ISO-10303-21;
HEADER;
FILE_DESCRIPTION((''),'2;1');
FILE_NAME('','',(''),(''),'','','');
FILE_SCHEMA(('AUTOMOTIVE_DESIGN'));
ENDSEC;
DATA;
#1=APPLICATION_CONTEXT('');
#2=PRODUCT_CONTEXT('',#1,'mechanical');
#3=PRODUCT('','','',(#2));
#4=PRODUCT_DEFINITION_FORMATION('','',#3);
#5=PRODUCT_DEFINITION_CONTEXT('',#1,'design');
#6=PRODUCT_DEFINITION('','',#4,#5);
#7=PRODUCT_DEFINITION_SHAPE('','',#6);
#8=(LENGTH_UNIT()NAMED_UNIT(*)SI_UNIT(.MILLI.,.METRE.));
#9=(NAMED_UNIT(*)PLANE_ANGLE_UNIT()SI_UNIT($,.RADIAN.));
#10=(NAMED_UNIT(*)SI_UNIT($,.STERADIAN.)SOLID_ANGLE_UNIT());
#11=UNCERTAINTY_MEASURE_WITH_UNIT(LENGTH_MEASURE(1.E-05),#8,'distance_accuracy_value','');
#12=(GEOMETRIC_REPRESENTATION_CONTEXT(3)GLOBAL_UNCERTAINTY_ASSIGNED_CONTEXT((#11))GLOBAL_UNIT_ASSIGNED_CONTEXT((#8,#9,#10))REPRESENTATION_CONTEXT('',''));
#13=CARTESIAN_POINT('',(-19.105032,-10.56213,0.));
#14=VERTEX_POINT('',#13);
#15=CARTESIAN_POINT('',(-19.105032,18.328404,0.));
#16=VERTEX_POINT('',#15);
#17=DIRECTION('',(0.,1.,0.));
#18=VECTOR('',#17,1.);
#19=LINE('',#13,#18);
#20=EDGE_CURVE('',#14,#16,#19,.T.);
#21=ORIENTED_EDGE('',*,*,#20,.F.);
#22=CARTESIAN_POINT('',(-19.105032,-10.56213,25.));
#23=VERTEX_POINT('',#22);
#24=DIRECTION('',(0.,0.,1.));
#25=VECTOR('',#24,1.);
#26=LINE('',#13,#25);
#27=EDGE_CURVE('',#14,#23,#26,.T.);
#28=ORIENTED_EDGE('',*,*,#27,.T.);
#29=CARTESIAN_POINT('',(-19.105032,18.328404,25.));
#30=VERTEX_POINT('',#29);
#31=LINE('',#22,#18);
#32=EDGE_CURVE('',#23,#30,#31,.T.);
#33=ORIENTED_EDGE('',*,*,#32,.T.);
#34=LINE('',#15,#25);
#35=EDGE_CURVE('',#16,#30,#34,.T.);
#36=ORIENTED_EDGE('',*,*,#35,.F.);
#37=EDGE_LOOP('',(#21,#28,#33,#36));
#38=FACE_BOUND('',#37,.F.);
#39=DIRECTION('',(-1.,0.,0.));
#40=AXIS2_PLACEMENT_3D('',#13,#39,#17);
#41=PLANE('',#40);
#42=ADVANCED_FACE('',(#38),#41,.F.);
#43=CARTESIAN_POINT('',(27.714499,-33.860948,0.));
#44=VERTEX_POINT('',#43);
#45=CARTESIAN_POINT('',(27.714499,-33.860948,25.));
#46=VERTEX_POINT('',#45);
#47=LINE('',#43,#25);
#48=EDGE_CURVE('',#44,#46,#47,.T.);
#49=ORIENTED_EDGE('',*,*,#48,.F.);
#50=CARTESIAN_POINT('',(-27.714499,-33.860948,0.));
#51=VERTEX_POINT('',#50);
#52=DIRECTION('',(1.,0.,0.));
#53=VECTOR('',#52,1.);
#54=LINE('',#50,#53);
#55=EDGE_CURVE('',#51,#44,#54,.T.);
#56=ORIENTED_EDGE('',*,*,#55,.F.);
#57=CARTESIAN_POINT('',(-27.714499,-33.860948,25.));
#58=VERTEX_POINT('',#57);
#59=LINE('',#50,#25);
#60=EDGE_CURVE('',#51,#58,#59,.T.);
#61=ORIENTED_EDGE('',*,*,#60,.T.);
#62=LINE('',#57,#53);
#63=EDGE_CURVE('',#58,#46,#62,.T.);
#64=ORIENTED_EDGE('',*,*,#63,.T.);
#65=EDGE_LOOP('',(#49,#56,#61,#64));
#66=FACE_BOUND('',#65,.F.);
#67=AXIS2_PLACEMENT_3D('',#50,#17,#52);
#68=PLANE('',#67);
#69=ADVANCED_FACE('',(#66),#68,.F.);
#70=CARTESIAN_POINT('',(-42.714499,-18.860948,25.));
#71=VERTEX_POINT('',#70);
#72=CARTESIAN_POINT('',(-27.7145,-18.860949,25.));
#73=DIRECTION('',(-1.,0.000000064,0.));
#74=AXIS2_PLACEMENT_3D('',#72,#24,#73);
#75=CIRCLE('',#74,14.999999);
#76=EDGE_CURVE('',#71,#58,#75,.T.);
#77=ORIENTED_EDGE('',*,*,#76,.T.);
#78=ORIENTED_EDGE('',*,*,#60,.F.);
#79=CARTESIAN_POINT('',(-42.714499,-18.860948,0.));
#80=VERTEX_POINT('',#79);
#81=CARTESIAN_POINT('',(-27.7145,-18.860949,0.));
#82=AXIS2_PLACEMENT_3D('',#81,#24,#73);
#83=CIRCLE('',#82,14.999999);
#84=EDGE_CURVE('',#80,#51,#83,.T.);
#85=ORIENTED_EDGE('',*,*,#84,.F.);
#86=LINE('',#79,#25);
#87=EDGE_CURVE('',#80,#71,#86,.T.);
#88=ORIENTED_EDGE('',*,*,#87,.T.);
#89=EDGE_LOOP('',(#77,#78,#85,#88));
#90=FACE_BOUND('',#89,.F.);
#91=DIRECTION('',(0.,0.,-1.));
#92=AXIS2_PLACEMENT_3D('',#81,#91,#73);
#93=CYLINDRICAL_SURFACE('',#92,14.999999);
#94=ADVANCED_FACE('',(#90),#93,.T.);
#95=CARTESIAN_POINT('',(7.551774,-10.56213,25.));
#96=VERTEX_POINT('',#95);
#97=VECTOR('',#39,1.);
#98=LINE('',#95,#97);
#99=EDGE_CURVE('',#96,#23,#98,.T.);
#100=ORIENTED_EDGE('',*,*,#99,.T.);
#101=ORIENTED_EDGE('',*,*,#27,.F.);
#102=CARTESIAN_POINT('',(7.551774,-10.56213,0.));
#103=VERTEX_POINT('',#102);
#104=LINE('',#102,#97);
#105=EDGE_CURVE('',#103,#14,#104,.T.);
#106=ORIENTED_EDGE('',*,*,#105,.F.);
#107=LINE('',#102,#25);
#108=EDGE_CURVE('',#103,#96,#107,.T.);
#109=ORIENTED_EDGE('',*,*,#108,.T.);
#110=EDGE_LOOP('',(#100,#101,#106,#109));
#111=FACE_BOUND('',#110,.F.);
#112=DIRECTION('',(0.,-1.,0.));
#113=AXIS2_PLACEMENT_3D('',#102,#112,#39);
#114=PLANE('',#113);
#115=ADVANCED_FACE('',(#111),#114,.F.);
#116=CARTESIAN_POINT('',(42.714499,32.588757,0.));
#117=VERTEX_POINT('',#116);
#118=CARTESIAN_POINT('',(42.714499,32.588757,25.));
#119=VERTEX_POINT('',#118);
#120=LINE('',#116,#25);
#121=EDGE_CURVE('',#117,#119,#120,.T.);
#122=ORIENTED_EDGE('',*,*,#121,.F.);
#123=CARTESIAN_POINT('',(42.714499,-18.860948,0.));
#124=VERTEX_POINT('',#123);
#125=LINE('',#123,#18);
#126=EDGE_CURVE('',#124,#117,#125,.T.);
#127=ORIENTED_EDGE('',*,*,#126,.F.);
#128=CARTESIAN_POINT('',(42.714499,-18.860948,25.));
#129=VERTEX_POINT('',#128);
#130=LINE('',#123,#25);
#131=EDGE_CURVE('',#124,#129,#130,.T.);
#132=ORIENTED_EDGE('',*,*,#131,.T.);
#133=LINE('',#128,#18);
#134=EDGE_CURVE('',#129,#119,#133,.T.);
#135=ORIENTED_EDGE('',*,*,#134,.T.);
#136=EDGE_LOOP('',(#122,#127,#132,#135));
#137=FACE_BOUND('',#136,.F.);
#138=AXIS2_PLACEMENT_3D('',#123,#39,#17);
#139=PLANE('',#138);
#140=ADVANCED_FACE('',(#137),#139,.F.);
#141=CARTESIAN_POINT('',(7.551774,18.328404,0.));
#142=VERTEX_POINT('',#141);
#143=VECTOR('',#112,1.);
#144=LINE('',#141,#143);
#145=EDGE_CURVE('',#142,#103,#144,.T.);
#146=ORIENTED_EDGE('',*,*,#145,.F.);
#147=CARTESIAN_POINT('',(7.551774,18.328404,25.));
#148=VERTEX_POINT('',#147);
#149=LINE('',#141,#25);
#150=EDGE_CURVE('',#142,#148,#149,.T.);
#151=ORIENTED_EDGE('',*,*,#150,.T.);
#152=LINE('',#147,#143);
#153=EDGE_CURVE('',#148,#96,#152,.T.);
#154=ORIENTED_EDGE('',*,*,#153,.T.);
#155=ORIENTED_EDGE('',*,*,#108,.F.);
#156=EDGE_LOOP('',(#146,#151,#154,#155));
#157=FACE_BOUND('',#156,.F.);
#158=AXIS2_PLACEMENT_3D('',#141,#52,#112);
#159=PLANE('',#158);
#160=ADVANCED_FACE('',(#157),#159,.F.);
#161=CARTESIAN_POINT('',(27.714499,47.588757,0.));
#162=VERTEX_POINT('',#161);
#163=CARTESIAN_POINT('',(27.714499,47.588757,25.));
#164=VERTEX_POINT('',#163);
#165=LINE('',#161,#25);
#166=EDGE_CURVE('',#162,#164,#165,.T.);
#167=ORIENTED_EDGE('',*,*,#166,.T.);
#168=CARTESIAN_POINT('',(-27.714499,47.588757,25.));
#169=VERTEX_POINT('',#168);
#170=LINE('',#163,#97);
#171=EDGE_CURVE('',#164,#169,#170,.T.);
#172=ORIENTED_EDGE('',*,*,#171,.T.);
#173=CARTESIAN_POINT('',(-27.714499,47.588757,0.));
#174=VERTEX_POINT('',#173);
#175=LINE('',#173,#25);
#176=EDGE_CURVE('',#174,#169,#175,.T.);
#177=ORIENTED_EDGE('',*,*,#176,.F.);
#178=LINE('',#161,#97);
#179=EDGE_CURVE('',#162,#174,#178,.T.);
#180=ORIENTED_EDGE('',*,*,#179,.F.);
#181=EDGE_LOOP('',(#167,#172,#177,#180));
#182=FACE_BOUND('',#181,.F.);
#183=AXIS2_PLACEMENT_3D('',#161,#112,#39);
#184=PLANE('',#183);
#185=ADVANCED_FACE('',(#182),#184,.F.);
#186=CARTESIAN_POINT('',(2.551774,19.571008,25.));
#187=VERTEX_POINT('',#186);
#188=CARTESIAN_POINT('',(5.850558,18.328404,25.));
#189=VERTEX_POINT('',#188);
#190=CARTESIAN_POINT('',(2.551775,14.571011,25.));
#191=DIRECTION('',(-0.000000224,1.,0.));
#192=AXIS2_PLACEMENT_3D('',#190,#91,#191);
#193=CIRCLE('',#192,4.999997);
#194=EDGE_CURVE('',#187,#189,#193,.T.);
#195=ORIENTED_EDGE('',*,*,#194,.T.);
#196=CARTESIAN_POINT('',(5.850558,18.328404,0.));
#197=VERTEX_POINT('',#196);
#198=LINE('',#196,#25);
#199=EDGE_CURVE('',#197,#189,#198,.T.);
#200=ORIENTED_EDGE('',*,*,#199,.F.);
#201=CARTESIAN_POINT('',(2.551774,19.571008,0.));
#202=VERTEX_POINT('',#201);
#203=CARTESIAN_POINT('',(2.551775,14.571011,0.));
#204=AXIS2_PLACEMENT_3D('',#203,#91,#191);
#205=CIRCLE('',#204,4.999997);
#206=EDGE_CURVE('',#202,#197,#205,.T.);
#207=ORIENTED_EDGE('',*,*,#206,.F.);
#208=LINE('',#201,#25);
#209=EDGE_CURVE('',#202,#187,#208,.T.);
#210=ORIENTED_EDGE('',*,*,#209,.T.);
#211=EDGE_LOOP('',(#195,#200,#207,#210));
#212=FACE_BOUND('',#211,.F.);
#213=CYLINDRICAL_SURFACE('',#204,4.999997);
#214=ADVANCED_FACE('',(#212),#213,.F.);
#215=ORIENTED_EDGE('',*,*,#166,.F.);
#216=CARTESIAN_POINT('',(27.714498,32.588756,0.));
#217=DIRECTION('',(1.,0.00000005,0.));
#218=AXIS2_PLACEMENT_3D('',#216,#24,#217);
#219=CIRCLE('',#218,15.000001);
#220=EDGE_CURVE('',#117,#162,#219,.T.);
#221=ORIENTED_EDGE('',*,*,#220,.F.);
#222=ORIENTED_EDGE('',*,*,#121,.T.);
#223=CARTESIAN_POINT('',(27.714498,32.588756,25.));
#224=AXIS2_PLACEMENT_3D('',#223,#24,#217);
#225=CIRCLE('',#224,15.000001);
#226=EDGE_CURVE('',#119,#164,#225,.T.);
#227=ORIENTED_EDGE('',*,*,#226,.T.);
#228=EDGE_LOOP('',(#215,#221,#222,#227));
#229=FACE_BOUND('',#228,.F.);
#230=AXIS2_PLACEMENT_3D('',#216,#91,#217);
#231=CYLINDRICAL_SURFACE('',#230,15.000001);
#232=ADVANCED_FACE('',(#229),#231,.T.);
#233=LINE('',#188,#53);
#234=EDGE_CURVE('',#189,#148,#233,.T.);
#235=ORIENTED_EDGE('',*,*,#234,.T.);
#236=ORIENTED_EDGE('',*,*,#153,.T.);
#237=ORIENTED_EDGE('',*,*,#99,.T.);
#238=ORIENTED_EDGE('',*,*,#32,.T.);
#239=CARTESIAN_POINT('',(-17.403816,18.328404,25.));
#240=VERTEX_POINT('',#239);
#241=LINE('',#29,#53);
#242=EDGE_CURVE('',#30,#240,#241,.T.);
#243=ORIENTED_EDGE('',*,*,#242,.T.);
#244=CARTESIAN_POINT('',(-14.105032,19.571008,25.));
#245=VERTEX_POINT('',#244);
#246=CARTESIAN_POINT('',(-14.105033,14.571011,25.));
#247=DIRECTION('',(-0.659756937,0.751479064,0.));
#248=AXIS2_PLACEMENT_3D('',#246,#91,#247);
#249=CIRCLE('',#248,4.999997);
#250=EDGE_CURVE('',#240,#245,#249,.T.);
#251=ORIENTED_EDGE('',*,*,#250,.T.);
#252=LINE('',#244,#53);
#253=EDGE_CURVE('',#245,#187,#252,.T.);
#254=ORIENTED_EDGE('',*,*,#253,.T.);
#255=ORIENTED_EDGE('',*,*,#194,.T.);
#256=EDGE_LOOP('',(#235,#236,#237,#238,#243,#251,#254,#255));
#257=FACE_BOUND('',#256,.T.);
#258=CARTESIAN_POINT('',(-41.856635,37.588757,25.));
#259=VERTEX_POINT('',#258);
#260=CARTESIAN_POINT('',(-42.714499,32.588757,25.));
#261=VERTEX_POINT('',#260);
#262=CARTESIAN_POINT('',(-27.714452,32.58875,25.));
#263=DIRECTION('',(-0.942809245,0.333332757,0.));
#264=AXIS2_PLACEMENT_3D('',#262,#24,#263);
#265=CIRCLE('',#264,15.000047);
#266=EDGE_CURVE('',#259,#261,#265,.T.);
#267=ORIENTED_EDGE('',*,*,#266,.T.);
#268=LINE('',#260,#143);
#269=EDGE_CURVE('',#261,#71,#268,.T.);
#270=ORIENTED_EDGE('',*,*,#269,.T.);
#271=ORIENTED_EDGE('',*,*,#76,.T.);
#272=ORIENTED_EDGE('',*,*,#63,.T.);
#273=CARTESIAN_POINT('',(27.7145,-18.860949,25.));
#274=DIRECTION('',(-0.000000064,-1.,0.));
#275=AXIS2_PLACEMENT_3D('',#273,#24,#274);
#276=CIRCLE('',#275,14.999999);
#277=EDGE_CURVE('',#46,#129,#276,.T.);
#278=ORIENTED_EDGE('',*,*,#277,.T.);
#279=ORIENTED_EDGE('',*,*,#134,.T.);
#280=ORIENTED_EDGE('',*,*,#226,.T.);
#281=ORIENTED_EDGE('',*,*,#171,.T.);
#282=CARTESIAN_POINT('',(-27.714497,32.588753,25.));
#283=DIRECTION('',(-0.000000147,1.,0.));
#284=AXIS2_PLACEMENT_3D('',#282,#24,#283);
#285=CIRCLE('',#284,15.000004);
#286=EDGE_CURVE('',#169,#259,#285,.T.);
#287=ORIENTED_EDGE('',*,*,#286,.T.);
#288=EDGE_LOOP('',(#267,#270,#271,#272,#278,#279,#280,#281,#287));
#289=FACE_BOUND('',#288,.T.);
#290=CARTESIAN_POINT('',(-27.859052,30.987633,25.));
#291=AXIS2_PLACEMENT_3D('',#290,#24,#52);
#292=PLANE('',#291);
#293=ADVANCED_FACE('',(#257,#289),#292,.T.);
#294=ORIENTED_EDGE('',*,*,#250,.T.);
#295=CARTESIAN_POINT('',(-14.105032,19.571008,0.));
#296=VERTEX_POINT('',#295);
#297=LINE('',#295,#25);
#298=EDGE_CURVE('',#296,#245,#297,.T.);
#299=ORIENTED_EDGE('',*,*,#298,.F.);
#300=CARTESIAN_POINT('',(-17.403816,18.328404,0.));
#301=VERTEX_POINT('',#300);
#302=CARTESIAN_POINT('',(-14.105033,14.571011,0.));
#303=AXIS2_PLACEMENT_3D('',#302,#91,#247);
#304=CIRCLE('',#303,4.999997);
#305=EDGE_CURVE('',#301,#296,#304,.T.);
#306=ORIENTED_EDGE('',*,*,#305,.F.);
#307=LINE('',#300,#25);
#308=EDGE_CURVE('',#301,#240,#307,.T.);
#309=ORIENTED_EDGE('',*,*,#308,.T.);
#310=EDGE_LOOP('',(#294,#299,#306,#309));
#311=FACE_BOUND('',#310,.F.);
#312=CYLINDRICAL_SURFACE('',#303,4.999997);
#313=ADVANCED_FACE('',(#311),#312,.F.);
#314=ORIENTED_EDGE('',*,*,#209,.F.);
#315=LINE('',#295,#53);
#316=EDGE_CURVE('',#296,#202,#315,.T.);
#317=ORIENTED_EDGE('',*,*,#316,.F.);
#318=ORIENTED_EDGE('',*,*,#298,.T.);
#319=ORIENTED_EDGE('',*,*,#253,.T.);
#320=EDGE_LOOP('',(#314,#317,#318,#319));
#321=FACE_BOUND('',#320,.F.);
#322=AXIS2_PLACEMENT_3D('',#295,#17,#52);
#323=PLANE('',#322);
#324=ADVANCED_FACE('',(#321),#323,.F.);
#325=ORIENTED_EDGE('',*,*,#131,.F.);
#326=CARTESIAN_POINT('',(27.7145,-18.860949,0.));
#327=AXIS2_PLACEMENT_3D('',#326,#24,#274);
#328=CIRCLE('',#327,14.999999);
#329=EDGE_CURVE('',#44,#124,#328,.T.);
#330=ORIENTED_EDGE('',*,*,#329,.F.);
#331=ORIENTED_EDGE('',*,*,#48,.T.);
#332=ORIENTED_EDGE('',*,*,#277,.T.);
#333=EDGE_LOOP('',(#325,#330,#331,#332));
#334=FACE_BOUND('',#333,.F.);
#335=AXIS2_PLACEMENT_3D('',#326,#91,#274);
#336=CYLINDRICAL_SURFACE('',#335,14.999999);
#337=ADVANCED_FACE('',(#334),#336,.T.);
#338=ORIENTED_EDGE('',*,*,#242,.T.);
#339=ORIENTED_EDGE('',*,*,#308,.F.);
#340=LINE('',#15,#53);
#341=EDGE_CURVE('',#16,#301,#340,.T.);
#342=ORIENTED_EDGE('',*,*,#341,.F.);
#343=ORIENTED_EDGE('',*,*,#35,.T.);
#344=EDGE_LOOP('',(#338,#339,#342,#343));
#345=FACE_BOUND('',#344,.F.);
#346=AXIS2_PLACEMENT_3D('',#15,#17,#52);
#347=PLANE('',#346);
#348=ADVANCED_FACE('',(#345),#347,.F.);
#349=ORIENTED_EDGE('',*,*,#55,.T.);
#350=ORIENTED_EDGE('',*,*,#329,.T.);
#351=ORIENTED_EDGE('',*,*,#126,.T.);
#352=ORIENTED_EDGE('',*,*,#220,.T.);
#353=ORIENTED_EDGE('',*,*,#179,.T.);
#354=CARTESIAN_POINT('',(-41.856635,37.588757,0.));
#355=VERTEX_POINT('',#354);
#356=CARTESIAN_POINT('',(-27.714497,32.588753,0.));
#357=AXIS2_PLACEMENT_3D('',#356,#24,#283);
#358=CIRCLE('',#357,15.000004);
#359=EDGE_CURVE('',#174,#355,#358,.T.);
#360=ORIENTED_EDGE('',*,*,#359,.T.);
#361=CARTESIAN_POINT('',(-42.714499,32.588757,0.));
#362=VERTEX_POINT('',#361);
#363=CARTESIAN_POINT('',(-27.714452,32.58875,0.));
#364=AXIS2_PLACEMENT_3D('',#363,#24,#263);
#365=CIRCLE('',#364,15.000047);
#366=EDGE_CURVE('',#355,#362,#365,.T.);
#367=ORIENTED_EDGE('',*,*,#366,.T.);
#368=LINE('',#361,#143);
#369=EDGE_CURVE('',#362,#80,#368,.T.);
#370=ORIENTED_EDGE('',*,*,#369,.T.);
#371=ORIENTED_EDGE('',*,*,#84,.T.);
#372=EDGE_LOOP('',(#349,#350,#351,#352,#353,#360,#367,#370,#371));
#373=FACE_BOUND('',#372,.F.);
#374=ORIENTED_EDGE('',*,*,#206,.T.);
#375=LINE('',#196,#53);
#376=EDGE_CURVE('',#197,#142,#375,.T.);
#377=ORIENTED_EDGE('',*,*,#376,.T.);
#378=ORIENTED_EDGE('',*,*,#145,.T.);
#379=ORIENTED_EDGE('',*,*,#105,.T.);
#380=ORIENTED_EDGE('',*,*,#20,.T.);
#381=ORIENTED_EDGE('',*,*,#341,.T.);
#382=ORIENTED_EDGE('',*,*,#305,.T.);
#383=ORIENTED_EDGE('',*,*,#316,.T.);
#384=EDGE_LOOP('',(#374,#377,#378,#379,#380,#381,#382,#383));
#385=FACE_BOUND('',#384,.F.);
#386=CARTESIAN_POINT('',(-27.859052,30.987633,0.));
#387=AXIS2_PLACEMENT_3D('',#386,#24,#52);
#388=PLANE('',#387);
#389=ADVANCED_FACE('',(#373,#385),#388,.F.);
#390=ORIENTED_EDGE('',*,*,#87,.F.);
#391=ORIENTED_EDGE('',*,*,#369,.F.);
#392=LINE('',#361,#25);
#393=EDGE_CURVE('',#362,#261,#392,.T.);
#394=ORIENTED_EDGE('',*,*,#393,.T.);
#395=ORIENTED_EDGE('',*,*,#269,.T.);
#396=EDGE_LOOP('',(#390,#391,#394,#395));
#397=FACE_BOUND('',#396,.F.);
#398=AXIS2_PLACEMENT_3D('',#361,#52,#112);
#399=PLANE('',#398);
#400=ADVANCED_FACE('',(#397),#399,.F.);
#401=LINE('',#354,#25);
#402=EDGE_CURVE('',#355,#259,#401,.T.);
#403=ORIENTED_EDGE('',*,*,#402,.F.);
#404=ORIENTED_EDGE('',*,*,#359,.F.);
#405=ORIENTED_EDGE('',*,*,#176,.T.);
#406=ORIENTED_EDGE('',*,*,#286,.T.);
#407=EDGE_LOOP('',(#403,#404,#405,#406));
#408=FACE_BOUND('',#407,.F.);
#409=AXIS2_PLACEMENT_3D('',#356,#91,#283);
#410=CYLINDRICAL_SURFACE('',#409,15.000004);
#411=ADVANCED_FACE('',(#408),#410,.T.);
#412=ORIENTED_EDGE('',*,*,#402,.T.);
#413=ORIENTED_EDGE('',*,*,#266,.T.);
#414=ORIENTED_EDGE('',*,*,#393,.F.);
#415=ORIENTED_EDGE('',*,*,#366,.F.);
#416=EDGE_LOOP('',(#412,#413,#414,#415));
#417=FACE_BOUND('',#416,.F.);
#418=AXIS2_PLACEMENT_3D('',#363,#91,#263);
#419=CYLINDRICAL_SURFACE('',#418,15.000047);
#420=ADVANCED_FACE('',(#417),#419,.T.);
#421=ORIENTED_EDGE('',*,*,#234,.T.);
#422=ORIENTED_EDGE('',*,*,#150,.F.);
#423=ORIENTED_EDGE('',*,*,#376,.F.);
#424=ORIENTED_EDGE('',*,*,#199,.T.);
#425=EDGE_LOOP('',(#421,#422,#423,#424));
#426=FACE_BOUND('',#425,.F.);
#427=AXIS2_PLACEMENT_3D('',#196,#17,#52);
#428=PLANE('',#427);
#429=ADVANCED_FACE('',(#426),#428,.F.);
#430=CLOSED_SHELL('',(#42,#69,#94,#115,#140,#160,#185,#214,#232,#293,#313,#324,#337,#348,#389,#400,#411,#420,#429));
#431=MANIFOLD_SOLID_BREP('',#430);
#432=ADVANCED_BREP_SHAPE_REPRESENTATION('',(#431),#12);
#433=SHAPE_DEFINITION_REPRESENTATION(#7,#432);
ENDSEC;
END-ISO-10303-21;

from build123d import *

# Parameters (mm, degrees)
F1_DEPTH = 25


with BuildPart() as f1:
    # F0 (on Top) → F1 (new body)
    with BuildSketch(Plane.XY):
        with BuildLine():
            Line((-14.105032, 19.571008), (-27.714499, 47.588757))
            ThreePointArc((-27.714499, 47.588757), (-36.374753, 44.836205), (-41.856635, 37.588757))
            ThreePointArc((-41.856635, 37.588757), (-42.498477, 35.125286), (-42.714499, 32.588757))
            Line((-42.714499, 32.588757), (-19.105032, 14.571008))
            Line((-19.105032, 14.571008), (-19.105032, 18.328404))
            Line((-19.105032, 18.328404), (-17.403816, 18.328404))
            ThreePointArc((-17.403816, 18.328404), (-15.867562, 19.250056), (-14.105032, 19.571008))
        make_face()
        Polygon((27.714499, 47.588757), (-27.714499, 47.588757), (-14.105032, 19.571008), (2.551774, 19.571008), align=None)
        with BuildLine():
            ThreePointArc((42.714499, 32.588757), (38.321101, 43.195358), (27.714499, 47.588757))
            Line((27.714499, 47.588757), (2.551774, 19.571008))
            ThreePointArc((2.551774, 19.571008), (4.314304, 19.250056), (5.850558, 18.328404))
            Line((5.850558, 18.328404), (7.551774, 18.328404))
            Line((7.551774, 18.328404), (7.551774, 14.571008))
            Line((7.551774, 14.571008), (42.714499, 32.588757))
        make_face()
        Polygon((42.714499, -18.860948), (42.714499, 32.588757), (7.551774, 14.571008), (7.551774, -5.56213), align=None)
        Polygon((-19.105032, 14.571008), (-42.714499, 32.588757), (-42.714499, -18.860948), (-19.105032, -5.56213), align=None)
        with BuildLine():
            ThreePointArc((27.714499, -33.860948), (38.321101, -29.46755), (42.714499, -18.860948))
            Line((42.714499, -18.860948), (7.551774, -5.56213))
            Line((7.551774, -5.56213), (7.551774, -10.56213))
            Line((7.551774, -10.56213), (2.551774, -10.56213))
            Line((2.551774, -10.56213), (27.714499, -33.860948))
        make_face()
        with BuildLine():
            Line((-19.105032, -5.56213), (-42.714499, -18.860948))
            ThreePointArc((-42.714499, -18.860948), (-38.321101, -29.46755), (-27.714499, -33.860948))
            Line((-27.714499, -33.860948), (-14.105032, -10.56213))
            Line((-14.105032, -10.56213), (-19.105032, -10.56213))
            Line((-19.105032, -10.56213), (-19.105032, -5.56213))
        make_face()
        Polygon((-27.714499, -33.860948), (27.714499, -33.860948), (2.551774, -10.56213), (-14.105032, -10.56213), align=None)
    extrude(amount=F1_DEPTH)


solid = f1.part
